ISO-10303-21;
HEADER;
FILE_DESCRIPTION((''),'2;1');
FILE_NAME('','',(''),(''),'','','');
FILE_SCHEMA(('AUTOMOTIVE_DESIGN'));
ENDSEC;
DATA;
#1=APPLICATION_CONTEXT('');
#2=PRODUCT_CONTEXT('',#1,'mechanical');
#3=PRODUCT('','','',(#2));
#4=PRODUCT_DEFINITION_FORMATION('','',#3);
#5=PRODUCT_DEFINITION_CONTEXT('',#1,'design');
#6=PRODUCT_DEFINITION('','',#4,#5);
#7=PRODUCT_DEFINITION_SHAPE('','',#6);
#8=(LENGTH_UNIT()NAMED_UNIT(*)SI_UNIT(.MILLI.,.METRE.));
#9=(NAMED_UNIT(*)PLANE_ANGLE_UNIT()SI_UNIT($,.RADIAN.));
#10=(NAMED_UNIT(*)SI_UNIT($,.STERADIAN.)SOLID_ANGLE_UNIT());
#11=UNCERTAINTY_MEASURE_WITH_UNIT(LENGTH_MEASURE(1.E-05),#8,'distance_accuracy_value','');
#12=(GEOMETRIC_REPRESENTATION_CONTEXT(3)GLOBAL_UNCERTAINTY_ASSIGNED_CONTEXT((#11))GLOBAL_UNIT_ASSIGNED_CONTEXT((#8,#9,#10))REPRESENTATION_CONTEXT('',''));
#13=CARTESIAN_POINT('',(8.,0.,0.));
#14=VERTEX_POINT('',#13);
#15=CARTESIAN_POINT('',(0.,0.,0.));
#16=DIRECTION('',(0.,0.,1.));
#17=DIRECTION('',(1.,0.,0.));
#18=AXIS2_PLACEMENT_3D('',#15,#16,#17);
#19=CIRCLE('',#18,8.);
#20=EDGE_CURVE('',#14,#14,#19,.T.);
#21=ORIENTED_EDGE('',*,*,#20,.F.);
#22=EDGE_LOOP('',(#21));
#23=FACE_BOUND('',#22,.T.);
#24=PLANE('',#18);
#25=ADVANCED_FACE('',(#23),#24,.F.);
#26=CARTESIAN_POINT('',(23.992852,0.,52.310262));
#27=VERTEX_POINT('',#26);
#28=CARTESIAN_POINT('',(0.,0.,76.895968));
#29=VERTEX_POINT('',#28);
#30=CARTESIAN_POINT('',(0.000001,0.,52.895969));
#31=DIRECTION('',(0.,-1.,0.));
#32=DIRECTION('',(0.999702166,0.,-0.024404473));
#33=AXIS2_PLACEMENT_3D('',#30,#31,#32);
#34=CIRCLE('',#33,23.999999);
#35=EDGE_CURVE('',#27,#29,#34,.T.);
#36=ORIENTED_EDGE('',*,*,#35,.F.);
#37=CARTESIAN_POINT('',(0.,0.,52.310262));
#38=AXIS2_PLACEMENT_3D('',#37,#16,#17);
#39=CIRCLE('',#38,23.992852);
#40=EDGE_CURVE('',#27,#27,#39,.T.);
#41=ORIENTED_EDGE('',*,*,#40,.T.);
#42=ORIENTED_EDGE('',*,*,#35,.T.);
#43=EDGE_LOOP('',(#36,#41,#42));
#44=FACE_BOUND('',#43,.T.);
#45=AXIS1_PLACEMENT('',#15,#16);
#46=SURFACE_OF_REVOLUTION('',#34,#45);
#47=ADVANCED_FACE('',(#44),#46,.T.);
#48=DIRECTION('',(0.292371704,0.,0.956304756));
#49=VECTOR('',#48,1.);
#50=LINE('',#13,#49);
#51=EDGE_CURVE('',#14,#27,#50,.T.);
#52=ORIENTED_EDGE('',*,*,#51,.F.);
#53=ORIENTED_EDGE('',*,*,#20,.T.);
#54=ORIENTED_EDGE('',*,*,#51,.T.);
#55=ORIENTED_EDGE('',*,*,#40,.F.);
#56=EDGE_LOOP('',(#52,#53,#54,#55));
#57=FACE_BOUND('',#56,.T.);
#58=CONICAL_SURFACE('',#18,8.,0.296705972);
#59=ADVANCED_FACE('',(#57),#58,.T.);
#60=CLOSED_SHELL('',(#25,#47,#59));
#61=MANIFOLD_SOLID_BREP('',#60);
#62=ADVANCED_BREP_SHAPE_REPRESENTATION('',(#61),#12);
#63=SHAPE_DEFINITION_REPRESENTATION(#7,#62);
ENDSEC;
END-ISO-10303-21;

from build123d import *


with BuildPart() as part:
    # Sketch → Revolution (revolve)
    with BuildSketch(Plane.XZ):
        with BuildLine():
            Line((0, 0), (8, 0))
            Line((8, 0), (23.992852, 52.310262))
            ThreePointArc((23.992852, 52.310262), (17.176393, 69.658174), (0, 76.895968))
            Line((0, 0), (0, 76.895968))
        make_face()
    revolve(axis=Axis((0, 0, 0), (0, 0, 1)))


solid = part.part
